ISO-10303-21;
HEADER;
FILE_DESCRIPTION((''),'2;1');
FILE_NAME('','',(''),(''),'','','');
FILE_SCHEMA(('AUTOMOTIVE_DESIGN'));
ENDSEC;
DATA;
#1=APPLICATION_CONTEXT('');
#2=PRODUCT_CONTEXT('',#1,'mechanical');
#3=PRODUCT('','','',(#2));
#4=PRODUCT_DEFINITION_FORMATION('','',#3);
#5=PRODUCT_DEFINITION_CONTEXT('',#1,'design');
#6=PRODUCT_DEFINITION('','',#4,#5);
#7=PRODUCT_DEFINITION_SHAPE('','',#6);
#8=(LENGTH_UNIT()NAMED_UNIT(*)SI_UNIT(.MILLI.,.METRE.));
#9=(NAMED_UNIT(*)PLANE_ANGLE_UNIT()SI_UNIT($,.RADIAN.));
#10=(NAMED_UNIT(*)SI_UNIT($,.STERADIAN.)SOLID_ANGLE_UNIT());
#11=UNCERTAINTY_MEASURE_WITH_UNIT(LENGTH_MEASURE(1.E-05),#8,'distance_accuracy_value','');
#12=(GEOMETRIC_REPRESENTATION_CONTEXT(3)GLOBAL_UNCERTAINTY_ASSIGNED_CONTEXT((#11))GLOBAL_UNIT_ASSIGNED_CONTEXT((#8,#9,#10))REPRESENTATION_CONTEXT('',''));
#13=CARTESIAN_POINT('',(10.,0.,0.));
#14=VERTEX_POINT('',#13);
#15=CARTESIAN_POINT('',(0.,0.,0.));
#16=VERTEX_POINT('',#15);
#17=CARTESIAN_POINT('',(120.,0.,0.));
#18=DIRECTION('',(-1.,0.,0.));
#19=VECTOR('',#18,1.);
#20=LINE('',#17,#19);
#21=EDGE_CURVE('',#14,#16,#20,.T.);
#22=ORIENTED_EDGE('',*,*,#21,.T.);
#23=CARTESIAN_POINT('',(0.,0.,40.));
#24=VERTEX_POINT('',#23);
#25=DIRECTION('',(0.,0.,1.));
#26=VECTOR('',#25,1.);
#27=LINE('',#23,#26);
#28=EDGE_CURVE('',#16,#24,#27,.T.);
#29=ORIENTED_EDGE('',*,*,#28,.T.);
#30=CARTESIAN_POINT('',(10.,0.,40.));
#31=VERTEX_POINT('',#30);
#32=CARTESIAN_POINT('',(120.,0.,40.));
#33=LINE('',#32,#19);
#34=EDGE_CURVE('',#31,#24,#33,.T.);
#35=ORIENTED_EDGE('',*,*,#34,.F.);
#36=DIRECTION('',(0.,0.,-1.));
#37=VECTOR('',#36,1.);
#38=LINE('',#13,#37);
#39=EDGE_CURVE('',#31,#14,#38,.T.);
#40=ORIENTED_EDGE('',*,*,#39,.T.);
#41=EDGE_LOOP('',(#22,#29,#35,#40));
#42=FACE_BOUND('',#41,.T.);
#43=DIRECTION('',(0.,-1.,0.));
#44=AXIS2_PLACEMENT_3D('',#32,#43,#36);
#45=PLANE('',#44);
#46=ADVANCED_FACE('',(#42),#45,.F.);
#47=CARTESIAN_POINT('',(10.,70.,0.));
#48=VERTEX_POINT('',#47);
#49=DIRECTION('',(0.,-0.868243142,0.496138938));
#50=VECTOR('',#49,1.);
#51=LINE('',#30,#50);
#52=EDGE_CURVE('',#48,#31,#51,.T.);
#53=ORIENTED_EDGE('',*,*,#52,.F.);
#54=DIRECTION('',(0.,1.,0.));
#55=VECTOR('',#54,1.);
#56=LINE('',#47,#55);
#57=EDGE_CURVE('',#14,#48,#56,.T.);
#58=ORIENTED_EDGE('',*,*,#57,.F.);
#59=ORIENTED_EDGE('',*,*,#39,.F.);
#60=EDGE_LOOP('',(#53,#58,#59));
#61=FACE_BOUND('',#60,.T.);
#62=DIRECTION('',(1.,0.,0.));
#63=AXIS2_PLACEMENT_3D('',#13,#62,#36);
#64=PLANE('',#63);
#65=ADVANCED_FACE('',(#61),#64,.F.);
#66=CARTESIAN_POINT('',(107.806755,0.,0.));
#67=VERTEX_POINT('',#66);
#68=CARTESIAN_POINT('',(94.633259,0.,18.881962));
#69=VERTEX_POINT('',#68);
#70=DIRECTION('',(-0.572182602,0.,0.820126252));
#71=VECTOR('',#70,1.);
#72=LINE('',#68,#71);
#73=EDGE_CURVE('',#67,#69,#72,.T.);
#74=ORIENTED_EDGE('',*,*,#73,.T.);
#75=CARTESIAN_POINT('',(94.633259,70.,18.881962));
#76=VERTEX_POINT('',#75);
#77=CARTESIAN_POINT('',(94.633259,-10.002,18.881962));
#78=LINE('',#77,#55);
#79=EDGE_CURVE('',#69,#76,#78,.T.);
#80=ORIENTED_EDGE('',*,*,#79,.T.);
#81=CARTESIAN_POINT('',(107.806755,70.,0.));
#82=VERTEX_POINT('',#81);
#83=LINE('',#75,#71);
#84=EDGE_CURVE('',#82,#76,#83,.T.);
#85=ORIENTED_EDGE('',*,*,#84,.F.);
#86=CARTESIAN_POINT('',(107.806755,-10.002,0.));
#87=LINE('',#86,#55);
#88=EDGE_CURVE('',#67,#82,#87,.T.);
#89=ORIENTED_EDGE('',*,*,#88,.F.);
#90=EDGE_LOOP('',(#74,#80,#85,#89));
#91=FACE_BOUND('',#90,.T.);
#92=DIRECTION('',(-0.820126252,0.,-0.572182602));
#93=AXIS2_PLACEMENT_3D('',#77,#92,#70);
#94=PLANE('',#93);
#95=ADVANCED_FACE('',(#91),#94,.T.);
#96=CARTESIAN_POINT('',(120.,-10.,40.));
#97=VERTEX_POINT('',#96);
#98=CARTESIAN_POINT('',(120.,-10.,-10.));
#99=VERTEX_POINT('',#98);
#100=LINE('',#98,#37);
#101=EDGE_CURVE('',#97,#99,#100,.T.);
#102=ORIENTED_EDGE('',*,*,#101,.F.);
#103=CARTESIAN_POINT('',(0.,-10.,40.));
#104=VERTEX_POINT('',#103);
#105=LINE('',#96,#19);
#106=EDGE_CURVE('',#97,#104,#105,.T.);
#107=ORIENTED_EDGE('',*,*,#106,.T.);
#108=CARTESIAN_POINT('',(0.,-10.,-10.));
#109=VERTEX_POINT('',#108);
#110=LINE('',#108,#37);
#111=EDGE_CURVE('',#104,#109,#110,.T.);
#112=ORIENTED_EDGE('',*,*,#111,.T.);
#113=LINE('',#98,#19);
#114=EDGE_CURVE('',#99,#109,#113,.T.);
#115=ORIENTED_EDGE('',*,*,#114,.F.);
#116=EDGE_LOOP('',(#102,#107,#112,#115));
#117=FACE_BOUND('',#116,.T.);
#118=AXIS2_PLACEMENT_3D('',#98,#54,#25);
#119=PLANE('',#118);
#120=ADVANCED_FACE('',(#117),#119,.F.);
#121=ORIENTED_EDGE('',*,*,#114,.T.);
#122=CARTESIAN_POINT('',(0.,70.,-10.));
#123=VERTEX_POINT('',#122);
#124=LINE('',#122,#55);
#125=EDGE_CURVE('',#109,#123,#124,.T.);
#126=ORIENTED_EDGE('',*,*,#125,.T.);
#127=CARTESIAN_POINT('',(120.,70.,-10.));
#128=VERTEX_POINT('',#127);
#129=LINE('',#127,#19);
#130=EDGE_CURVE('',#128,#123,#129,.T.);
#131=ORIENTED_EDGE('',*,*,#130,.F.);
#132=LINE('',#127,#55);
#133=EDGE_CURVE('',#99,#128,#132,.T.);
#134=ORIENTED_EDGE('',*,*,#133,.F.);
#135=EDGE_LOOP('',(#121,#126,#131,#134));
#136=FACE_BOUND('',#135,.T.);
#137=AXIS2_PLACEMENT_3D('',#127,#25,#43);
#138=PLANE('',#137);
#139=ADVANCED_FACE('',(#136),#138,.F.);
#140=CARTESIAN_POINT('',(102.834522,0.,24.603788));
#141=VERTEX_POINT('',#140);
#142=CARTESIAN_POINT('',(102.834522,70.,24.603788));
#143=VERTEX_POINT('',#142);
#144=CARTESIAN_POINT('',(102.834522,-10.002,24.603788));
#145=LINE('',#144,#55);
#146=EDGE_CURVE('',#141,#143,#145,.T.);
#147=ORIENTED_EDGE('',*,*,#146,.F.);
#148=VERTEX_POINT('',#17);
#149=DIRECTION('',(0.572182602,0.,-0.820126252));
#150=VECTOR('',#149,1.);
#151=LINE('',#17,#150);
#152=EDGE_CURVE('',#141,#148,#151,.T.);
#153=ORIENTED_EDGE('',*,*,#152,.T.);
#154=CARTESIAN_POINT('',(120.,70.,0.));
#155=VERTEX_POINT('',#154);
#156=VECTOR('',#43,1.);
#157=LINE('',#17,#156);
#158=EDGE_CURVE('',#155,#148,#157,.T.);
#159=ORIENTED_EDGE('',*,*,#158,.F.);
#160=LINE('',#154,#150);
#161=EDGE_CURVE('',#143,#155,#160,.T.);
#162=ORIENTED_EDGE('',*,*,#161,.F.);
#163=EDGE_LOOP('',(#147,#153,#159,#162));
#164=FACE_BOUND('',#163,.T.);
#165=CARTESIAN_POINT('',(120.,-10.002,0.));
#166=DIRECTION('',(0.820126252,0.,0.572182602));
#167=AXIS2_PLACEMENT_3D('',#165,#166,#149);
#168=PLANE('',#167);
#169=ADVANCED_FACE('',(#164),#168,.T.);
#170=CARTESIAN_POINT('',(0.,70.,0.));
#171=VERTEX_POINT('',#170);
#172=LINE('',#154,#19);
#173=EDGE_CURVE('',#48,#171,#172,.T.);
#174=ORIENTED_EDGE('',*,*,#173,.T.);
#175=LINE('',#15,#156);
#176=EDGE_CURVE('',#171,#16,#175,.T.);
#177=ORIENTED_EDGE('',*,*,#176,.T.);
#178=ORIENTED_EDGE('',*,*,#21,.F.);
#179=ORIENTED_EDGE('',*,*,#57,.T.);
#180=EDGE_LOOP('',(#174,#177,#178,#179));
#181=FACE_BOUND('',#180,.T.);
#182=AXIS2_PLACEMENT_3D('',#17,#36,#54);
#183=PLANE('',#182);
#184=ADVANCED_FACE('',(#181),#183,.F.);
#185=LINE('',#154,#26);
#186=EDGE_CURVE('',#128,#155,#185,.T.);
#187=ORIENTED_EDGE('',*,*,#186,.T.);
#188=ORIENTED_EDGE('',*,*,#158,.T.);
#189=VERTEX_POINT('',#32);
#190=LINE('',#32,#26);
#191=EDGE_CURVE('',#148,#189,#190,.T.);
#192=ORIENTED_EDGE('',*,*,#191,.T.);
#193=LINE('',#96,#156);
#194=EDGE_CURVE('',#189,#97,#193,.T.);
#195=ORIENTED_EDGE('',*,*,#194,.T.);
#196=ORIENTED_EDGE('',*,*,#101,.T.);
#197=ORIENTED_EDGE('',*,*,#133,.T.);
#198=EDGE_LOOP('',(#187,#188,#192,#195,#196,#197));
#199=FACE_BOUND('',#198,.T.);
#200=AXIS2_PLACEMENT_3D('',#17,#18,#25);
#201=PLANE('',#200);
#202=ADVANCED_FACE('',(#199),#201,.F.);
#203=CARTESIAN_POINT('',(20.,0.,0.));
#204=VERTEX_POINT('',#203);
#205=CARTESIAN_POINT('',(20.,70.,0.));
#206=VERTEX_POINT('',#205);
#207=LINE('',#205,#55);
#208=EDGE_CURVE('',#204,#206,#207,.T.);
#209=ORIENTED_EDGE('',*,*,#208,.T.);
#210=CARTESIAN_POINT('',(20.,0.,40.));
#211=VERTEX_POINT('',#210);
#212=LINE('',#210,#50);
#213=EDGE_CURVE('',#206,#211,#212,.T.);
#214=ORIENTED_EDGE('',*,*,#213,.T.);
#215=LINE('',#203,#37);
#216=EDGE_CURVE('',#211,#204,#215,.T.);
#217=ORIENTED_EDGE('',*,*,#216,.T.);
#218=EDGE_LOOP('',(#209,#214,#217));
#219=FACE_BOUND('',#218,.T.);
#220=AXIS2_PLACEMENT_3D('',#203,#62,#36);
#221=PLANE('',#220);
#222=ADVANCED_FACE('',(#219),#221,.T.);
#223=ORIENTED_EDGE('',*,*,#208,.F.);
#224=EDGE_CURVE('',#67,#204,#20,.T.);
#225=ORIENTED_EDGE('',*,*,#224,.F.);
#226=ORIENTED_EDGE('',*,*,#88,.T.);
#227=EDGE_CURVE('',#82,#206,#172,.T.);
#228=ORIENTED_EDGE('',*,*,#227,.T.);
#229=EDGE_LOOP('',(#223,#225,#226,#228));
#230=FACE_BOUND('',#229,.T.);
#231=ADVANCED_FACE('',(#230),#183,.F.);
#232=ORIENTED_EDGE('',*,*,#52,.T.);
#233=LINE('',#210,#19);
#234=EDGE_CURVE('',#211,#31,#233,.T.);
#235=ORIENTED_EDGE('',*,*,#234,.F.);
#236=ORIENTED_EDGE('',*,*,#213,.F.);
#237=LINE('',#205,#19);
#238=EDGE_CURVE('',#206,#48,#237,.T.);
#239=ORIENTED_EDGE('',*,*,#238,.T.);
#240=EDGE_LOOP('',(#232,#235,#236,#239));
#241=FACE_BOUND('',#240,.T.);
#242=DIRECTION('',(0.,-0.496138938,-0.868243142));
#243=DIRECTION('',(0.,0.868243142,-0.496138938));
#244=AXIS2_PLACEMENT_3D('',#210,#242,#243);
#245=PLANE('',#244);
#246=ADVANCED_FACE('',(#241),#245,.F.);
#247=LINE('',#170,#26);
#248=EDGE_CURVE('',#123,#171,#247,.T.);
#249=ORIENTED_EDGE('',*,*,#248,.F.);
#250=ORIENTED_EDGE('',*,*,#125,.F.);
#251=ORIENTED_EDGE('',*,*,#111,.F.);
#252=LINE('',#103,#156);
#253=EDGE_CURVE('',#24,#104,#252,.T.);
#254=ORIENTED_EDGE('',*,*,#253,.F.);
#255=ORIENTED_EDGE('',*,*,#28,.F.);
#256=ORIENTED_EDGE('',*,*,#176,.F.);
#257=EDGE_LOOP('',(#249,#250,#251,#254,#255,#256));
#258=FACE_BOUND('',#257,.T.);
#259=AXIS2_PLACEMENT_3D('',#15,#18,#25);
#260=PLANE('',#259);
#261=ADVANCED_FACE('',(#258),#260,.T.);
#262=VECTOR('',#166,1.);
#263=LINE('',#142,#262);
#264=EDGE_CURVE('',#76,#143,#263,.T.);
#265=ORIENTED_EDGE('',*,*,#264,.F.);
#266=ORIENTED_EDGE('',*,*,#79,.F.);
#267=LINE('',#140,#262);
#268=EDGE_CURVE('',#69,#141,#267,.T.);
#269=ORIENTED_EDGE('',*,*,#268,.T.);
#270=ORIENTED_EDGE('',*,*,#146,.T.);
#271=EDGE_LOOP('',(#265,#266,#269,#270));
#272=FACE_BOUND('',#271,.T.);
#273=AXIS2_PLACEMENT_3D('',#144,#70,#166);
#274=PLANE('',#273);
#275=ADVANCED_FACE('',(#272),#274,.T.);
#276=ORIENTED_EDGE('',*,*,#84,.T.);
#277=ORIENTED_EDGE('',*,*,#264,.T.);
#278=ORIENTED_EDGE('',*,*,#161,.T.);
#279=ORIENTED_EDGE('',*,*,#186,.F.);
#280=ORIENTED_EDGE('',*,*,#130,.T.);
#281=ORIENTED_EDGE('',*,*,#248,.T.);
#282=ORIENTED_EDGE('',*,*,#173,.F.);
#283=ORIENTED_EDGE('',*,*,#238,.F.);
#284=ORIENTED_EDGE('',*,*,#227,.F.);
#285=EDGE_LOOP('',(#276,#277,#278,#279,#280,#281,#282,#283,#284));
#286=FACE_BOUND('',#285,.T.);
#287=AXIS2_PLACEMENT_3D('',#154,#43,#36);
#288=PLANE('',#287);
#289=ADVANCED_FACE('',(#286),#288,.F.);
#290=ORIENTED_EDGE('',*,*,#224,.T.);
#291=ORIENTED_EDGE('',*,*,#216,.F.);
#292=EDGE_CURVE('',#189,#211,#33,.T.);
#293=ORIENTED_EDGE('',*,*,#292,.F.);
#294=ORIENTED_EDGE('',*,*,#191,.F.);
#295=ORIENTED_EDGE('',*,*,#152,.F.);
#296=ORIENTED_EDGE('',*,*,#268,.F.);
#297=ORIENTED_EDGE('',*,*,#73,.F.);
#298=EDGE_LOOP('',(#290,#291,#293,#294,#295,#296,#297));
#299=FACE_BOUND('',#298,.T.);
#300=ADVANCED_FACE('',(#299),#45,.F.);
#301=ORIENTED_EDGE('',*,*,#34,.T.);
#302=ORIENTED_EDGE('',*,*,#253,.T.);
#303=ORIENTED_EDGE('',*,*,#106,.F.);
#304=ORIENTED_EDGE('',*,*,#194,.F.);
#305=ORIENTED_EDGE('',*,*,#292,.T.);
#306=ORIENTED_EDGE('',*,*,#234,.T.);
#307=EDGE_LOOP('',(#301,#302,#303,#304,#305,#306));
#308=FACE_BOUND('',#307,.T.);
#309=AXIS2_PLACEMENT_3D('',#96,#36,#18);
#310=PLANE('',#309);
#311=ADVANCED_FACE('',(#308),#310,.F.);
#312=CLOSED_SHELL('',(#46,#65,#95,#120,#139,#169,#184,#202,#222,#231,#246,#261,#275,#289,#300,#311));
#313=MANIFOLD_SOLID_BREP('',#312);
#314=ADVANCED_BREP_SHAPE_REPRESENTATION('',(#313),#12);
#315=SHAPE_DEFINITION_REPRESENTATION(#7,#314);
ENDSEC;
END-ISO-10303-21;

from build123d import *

# Parameters (mm, degrees)
EXTRUDE_1_DEPTH = 120
EXTRUDE_2_REACH = 151.666
EXTRUDE_3_DEPTH = 10


with BuildPart() as part:
    # 草圖1 → 填料-伸長1 (new body)
    with BuildSketch(Plane(origin=(0, 0, 0), x_dir=(0, 0, -1), z_dir=(1, 0, 0))):
        Polygon((-40, 0), (0, 0), (0, 70), (10, 70), (10, -10), (-40, -10), align=None)
    extrude(amount=EXTRUDE_1_DEPTH)

    # 草圖2 → 填料-伸長2 (add, up to next)
    with BuildSketch(Plane(origin=(0, 70, 0), x_dir=(1, 0, 0), z_dir=(0, 1, 0)), mode=Mode.PRIVATE) as extrude_2_sk1:
        Polygon((120, 0), (102.834521938, -24.603787572), (94.633259414, -18.881961552), (107.806755398, 0), align=None)
    extrude_2_tool1 = extrude(extrude_2_sk1.sketch, amount=-EXTRUDE_2_REACH, mode=Mode.PRIVATE) - part.part
    add(extrude_2_tool1.solids().sort_by_distance((106.542259, 70, 10.934177))[0])

    # 草圖3 → 填料-伸長3 (add)
    with BuildSketch(Plane(origin=(10, 0, 0), x_dir=(0, 0, -1), z_dir=(1, 0, 0))):
        Polygon((0, 70), (0, 0), (-40, 0), align=None)
    extrude(amount=EXTRUDE_3_DEPTH)


solid = part.part
